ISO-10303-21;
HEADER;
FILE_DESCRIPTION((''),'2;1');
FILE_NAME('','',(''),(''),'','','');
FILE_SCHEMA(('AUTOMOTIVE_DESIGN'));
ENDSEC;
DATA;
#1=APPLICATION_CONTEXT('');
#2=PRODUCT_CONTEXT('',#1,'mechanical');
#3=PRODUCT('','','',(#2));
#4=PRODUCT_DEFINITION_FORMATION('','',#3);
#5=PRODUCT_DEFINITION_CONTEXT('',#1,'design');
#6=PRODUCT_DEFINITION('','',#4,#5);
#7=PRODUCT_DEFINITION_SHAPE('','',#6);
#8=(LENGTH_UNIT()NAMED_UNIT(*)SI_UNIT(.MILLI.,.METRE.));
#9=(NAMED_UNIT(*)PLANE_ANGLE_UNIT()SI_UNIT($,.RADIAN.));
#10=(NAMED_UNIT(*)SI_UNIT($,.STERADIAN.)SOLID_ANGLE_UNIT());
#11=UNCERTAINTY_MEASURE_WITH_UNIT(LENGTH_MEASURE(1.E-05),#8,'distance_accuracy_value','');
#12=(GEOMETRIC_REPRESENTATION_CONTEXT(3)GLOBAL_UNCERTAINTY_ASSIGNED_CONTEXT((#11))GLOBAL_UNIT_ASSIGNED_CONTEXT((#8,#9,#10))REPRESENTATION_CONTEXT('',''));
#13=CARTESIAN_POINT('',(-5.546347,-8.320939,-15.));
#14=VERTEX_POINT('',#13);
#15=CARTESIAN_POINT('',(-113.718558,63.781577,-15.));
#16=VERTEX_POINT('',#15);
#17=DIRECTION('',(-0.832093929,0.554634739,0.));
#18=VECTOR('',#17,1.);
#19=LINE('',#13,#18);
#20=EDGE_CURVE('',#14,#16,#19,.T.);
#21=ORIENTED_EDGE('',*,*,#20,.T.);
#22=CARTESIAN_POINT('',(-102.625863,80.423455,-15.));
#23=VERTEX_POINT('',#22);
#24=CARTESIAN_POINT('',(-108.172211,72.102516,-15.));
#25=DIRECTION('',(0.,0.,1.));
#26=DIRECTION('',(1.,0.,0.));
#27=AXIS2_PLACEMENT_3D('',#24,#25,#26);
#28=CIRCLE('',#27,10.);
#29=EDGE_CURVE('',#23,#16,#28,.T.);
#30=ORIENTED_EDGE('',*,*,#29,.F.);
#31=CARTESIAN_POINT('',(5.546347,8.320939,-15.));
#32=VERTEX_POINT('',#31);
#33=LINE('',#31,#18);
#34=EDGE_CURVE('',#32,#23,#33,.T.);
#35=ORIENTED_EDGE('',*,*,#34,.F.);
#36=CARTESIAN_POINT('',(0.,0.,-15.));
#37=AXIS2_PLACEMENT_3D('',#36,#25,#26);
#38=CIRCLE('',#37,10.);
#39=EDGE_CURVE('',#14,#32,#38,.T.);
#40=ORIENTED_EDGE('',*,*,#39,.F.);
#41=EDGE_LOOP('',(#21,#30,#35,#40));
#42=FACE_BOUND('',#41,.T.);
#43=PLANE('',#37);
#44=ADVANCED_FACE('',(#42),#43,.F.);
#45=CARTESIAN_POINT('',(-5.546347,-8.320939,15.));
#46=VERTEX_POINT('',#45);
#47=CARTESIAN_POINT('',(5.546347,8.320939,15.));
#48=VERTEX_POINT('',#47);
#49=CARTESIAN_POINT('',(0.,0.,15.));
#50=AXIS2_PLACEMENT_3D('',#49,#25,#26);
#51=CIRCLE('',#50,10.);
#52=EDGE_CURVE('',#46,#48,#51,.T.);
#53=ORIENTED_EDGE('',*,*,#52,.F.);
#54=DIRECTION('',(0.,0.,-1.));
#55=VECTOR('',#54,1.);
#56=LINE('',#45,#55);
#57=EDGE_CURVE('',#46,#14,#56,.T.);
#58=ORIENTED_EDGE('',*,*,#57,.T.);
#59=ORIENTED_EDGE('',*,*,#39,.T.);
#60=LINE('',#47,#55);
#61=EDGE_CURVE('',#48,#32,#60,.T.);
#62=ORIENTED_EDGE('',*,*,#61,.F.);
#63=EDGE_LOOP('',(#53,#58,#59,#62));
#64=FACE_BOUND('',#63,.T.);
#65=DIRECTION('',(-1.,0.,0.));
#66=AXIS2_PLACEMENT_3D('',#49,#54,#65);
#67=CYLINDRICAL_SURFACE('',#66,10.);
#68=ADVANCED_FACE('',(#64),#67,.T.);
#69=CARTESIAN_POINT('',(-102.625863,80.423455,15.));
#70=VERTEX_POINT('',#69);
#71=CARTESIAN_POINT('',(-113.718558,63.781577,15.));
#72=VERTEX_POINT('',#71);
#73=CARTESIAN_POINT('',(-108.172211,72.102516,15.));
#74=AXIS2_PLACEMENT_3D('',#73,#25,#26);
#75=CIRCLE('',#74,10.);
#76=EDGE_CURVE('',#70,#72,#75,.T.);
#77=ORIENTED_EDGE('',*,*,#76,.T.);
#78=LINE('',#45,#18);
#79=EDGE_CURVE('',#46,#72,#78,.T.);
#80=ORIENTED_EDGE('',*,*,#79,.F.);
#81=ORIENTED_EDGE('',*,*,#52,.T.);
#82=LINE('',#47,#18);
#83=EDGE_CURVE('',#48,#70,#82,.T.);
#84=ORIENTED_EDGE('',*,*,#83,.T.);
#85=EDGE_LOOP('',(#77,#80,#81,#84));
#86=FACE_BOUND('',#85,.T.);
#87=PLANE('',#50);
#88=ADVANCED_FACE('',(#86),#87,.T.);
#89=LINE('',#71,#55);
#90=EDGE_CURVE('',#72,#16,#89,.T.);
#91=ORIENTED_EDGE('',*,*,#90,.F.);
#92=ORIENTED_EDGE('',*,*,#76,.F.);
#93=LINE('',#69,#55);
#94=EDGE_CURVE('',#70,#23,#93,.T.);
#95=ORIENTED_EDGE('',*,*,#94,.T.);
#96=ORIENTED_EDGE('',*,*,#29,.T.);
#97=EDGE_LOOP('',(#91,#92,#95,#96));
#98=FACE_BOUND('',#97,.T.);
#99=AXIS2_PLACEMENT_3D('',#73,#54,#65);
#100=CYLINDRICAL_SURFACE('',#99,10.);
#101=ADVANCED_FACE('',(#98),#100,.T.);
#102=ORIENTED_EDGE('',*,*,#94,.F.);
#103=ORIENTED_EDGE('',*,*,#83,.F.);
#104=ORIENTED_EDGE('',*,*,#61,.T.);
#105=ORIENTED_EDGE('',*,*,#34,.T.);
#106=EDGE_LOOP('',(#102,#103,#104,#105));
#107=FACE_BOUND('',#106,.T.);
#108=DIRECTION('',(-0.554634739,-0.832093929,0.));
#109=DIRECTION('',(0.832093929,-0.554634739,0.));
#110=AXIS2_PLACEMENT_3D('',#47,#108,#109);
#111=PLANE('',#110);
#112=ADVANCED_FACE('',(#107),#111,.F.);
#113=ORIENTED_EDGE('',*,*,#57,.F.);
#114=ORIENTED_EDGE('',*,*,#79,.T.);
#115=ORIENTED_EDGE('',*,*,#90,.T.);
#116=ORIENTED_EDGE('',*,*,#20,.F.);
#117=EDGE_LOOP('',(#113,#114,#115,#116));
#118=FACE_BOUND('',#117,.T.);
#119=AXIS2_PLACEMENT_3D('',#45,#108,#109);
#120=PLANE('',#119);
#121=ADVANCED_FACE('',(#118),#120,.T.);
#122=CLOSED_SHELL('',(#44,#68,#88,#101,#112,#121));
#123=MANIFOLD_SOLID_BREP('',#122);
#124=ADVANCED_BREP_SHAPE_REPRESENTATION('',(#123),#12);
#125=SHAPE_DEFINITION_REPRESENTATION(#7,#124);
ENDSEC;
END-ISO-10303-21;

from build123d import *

# Parameters (mm, degrees)
EXTRUDE_1_DEPTH = 15


with BuildPart() as part:
    # 草图2 → 凸台-拉伸1 (new, symmetric)
    with BuildSketch(Plane.XY):
        with BuildLine():
            Line((-5.546347385, -8.320939291), (-113.718558167, 63.781576717))
            ThreePointArc((-113.718558167, 63.781576717), (-116.493150072, 77.648863393), (-102.625863396, 80.423455299))
            Line((-102.625863396, 80.423455299), (5.546347385, 8.320939291))
            ThreePointArc((5.546347385, 8.320939291), (8.320939291, -5.546347385), (-5.546347385, -8.320939291))
        make_face()
    extrude(amount=EXTRUDE_1_DEPTH, both=True)


solid = part.part
